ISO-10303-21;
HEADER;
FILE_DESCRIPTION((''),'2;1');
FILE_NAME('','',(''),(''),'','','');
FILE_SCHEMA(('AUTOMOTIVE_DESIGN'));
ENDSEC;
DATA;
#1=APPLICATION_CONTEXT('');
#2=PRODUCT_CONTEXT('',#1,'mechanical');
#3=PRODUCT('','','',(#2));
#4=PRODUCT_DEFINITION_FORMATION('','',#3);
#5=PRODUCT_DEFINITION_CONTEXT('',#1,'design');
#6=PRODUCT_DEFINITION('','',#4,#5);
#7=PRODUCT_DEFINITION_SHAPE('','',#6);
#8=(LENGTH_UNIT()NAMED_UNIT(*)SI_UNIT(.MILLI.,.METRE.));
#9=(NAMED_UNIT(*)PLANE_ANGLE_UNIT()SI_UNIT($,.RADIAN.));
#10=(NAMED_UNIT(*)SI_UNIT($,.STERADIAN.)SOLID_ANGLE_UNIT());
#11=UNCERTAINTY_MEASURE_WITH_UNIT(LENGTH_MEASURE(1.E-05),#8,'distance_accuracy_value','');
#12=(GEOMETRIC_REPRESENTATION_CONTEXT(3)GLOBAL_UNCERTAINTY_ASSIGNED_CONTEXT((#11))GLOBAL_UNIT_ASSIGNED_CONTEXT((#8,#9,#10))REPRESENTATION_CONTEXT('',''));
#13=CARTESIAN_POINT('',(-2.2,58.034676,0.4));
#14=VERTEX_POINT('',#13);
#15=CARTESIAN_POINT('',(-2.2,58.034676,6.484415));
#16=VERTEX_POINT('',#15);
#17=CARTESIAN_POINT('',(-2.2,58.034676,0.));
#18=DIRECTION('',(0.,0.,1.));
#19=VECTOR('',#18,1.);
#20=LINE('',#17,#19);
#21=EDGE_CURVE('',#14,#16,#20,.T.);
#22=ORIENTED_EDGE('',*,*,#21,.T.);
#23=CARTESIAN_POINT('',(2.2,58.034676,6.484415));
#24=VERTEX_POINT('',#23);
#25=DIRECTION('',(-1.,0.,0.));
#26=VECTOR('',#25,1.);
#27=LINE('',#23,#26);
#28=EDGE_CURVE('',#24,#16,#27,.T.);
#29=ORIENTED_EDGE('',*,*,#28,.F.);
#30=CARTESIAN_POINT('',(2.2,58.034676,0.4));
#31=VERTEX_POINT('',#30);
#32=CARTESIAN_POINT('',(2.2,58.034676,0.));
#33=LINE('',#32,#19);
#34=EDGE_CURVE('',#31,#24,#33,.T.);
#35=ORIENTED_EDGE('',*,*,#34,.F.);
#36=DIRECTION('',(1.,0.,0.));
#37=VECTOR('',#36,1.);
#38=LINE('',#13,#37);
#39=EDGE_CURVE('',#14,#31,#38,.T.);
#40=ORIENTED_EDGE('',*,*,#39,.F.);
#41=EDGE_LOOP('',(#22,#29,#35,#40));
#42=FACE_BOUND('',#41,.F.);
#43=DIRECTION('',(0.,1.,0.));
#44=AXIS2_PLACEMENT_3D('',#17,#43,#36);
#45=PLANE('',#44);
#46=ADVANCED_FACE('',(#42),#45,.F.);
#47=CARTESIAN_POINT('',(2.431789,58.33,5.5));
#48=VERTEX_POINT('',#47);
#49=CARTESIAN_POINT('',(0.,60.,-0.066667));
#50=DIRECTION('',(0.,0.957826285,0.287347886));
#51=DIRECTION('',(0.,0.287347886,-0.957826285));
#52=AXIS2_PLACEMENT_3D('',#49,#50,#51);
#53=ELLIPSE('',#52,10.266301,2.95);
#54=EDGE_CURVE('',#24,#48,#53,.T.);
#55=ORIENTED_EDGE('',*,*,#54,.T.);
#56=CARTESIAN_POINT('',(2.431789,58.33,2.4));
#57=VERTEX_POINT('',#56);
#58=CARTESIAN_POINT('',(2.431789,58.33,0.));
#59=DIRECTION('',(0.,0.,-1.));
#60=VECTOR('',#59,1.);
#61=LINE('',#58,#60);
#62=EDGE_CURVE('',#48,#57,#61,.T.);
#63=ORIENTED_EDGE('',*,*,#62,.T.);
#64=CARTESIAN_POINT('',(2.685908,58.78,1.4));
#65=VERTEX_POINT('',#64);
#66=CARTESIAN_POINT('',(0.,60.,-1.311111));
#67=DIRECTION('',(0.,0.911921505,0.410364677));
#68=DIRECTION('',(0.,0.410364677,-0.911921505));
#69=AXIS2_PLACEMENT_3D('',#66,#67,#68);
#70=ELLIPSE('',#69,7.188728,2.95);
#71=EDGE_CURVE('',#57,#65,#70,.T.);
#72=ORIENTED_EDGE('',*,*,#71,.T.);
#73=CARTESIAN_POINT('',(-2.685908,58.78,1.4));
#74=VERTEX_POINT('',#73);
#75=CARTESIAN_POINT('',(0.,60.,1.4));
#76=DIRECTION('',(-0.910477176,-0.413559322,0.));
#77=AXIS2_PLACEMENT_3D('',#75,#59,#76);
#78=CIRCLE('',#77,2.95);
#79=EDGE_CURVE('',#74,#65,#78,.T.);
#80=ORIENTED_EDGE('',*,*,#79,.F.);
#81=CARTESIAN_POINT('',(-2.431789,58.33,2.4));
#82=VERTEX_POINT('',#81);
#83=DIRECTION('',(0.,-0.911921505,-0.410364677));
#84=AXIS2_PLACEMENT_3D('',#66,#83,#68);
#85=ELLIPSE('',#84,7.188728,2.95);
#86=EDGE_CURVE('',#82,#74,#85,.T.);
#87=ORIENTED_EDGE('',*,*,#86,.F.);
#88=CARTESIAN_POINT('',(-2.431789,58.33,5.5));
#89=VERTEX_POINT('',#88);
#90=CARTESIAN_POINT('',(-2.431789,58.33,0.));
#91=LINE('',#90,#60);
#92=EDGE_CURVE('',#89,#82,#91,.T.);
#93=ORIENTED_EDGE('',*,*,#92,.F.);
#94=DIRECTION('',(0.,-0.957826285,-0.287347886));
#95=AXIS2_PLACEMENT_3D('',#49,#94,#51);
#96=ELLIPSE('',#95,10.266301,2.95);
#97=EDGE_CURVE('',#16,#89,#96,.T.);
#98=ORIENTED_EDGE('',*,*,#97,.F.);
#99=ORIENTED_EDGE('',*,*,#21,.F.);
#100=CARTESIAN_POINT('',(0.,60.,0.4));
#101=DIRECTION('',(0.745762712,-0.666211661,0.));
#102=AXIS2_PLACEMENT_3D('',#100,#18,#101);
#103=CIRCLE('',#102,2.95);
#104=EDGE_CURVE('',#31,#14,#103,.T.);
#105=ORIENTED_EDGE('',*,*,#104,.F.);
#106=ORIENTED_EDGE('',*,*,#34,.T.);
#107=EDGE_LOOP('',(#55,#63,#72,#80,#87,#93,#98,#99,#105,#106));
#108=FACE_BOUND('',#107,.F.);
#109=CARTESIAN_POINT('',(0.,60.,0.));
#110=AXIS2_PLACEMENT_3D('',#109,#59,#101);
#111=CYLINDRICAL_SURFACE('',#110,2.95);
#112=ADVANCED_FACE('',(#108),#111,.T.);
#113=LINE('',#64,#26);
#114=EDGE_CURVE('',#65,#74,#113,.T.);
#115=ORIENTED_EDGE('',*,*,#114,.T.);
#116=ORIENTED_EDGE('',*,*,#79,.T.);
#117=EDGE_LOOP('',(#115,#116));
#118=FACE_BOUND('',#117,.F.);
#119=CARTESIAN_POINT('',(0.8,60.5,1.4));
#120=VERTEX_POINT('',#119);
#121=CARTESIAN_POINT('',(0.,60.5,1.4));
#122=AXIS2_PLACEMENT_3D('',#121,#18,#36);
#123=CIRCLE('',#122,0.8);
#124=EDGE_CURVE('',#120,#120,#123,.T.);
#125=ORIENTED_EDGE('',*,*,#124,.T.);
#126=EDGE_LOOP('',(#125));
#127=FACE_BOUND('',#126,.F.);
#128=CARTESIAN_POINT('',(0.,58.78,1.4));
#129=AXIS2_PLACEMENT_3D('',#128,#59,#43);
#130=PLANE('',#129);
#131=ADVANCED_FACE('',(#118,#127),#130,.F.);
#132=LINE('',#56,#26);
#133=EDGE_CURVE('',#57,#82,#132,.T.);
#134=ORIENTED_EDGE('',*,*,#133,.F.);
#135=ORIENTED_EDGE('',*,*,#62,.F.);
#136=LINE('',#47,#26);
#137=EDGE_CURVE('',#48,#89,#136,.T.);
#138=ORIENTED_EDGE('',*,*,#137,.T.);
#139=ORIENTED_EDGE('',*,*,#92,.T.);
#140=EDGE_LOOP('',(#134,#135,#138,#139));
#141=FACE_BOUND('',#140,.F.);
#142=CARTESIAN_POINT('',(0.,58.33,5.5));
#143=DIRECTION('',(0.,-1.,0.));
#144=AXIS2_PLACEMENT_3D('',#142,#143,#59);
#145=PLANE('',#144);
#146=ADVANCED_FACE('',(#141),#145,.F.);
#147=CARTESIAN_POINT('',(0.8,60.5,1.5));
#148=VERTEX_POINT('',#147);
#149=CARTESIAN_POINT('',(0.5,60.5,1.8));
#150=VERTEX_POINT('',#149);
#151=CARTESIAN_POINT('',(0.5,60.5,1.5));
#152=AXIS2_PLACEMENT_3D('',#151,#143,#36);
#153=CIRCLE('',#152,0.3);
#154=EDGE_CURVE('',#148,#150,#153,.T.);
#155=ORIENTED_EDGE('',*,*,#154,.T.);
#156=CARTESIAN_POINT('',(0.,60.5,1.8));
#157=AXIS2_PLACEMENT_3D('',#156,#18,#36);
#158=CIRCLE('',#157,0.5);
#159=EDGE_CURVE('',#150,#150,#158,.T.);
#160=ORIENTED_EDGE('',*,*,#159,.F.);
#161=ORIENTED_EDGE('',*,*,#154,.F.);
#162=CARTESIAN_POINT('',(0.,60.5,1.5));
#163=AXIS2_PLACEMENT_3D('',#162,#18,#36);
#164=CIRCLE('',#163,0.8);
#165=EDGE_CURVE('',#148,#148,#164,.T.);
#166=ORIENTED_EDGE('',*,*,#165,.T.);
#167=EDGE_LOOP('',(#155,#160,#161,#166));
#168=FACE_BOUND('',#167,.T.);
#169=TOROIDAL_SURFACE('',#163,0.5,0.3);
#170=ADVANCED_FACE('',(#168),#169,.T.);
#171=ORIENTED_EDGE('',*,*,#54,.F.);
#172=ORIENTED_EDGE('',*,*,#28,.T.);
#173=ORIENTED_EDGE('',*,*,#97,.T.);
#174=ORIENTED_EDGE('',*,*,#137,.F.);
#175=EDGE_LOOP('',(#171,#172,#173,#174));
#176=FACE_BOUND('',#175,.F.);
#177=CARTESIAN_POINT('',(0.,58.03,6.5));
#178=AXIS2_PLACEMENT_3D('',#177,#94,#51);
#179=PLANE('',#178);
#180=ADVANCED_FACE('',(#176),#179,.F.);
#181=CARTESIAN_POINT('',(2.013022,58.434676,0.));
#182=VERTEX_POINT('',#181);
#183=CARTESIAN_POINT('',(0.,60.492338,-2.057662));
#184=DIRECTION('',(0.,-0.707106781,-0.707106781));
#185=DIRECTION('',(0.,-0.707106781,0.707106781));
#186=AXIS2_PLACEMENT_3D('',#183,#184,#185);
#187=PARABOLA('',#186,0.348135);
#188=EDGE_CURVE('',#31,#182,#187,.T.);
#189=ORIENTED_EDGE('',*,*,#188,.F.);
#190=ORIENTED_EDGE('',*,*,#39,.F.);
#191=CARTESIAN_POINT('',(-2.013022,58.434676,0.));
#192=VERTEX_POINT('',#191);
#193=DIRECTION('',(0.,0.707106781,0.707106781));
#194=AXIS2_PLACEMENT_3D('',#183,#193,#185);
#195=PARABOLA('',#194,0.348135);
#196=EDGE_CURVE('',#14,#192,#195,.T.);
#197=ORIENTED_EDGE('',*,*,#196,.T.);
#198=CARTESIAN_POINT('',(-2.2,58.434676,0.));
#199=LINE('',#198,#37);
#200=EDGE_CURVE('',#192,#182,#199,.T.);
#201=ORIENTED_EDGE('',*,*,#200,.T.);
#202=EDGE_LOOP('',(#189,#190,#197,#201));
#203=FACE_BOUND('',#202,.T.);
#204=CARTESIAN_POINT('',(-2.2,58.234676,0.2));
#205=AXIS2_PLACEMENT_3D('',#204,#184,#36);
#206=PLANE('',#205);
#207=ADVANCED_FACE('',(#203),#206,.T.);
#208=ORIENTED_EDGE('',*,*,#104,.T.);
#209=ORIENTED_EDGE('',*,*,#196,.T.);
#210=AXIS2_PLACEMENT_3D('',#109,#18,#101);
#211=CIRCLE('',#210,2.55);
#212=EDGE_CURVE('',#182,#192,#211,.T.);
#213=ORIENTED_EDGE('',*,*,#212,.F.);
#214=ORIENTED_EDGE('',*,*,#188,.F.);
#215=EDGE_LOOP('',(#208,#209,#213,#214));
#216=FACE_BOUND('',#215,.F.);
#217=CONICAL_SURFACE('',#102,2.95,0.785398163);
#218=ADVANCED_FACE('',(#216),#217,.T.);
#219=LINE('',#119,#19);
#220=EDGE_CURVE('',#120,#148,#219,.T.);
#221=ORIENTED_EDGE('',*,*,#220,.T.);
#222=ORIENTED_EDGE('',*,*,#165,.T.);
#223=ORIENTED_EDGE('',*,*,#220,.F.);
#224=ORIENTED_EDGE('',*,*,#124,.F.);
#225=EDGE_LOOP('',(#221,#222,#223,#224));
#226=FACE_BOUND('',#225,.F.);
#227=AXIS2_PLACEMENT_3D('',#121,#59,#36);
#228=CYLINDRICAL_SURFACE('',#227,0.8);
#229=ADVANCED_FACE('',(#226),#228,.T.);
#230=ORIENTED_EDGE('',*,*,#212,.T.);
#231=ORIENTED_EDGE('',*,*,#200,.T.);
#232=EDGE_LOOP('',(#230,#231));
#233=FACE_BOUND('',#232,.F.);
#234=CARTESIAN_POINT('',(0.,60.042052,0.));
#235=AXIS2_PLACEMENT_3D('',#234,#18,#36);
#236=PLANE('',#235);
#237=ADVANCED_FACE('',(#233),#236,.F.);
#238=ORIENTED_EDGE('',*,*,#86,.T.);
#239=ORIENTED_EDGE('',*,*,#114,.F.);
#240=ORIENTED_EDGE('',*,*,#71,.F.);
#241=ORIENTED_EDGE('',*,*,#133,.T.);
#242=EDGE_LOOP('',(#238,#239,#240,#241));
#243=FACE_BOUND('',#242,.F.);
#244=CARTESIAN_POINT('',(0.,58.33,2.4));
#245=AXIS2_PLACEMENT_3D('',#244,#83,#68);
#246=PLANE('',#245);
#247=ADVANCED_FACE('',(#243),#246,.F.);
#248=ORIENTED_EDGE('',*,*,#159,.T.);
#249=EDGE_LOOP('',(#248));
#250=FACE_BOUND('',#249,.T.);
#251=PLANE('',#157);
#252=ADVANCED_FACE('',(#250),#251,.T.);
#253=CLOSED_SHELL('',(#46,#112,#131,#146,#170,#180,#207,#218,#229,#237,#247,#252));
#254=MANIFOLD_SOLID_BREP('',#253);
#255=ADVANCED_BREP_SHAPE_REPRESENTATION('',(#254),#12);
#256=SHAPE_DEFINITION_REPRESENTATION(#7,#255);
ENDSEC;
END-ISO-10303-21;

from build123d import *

# Parameters (mm, degrees)
PAD008_DEPTH         = 6.5
POCKET007_DEPTH      = 2.951
POCKET007_DEPTH_BACK = 2.951
SKETCH023_R          = 0.8
PAD009_DEPTH         = 0.4
FILLET001_R          = 0.3
CHAMFER007_SIZE      = 0.4


with BuildPart() as part:
    # Sketch022 → Pad008 (new body)
    with BuildSketch(Plane.XY):
        with BuildLine():
            ThreePointArc((2.2, -1.9653244007), (0, 2.95), (-2.2, -1.9653244007))
            Line((-2.2, -1.9653244007), (2.2, -1.9653244007))
        make_face()
    extrude(amount=PAD008_DEPTH)

    # Sketch024 → Pocket007 (cut, two sides)
    with BuildSketch(Plane.YZ) as pocket007_sk:
        Polygon((-1.97, 6.5), (-1.67, 5.5), (-1.67, 2.4), (-1.22, 1.4), (4, 1.4), (4, 6.5), align=None)
    extrude(amount=-POCKET007_DEPTH, mode=Mode.SUBTRACT)
    extrude(pocket007_sk.sketch, amount=POCKET007_DEPTH_BACK, mode=Mode.SUBTRACT)

    # Sketch023 (on Face7 of Pocket007) → Pad009 (join)
    with BuildSketch(Plane.XY.offset(1.4)):
        with Locations((0, 0.5)):
            Circle(SKETCH023_R)
    extrude(amount=PAD009_DEPTH)

    # Fillet001
    fillet001_edges = [part.edges().sort_by_distance(p)[0] for p in [
        (-0.8, 0.5, 1.8),
    ]]
    fillet(fillet001_edges, radius=FILLET001_R)

    # Chamfer007
    chamfer007_edges = [part.edges().sort_by_distance(p)[0] for p in [
        (0, 2.95, 0),
        (0, -1.965324, 0),
    ]]
    chamfer(chamfer007_edges, length=CHAMFER007_SIZE)


with BuildPart() as part_1:
    # Body090 placement: moved
    add(part.part.moved(Location((0, 60, 0))))


solid = part_1.part
